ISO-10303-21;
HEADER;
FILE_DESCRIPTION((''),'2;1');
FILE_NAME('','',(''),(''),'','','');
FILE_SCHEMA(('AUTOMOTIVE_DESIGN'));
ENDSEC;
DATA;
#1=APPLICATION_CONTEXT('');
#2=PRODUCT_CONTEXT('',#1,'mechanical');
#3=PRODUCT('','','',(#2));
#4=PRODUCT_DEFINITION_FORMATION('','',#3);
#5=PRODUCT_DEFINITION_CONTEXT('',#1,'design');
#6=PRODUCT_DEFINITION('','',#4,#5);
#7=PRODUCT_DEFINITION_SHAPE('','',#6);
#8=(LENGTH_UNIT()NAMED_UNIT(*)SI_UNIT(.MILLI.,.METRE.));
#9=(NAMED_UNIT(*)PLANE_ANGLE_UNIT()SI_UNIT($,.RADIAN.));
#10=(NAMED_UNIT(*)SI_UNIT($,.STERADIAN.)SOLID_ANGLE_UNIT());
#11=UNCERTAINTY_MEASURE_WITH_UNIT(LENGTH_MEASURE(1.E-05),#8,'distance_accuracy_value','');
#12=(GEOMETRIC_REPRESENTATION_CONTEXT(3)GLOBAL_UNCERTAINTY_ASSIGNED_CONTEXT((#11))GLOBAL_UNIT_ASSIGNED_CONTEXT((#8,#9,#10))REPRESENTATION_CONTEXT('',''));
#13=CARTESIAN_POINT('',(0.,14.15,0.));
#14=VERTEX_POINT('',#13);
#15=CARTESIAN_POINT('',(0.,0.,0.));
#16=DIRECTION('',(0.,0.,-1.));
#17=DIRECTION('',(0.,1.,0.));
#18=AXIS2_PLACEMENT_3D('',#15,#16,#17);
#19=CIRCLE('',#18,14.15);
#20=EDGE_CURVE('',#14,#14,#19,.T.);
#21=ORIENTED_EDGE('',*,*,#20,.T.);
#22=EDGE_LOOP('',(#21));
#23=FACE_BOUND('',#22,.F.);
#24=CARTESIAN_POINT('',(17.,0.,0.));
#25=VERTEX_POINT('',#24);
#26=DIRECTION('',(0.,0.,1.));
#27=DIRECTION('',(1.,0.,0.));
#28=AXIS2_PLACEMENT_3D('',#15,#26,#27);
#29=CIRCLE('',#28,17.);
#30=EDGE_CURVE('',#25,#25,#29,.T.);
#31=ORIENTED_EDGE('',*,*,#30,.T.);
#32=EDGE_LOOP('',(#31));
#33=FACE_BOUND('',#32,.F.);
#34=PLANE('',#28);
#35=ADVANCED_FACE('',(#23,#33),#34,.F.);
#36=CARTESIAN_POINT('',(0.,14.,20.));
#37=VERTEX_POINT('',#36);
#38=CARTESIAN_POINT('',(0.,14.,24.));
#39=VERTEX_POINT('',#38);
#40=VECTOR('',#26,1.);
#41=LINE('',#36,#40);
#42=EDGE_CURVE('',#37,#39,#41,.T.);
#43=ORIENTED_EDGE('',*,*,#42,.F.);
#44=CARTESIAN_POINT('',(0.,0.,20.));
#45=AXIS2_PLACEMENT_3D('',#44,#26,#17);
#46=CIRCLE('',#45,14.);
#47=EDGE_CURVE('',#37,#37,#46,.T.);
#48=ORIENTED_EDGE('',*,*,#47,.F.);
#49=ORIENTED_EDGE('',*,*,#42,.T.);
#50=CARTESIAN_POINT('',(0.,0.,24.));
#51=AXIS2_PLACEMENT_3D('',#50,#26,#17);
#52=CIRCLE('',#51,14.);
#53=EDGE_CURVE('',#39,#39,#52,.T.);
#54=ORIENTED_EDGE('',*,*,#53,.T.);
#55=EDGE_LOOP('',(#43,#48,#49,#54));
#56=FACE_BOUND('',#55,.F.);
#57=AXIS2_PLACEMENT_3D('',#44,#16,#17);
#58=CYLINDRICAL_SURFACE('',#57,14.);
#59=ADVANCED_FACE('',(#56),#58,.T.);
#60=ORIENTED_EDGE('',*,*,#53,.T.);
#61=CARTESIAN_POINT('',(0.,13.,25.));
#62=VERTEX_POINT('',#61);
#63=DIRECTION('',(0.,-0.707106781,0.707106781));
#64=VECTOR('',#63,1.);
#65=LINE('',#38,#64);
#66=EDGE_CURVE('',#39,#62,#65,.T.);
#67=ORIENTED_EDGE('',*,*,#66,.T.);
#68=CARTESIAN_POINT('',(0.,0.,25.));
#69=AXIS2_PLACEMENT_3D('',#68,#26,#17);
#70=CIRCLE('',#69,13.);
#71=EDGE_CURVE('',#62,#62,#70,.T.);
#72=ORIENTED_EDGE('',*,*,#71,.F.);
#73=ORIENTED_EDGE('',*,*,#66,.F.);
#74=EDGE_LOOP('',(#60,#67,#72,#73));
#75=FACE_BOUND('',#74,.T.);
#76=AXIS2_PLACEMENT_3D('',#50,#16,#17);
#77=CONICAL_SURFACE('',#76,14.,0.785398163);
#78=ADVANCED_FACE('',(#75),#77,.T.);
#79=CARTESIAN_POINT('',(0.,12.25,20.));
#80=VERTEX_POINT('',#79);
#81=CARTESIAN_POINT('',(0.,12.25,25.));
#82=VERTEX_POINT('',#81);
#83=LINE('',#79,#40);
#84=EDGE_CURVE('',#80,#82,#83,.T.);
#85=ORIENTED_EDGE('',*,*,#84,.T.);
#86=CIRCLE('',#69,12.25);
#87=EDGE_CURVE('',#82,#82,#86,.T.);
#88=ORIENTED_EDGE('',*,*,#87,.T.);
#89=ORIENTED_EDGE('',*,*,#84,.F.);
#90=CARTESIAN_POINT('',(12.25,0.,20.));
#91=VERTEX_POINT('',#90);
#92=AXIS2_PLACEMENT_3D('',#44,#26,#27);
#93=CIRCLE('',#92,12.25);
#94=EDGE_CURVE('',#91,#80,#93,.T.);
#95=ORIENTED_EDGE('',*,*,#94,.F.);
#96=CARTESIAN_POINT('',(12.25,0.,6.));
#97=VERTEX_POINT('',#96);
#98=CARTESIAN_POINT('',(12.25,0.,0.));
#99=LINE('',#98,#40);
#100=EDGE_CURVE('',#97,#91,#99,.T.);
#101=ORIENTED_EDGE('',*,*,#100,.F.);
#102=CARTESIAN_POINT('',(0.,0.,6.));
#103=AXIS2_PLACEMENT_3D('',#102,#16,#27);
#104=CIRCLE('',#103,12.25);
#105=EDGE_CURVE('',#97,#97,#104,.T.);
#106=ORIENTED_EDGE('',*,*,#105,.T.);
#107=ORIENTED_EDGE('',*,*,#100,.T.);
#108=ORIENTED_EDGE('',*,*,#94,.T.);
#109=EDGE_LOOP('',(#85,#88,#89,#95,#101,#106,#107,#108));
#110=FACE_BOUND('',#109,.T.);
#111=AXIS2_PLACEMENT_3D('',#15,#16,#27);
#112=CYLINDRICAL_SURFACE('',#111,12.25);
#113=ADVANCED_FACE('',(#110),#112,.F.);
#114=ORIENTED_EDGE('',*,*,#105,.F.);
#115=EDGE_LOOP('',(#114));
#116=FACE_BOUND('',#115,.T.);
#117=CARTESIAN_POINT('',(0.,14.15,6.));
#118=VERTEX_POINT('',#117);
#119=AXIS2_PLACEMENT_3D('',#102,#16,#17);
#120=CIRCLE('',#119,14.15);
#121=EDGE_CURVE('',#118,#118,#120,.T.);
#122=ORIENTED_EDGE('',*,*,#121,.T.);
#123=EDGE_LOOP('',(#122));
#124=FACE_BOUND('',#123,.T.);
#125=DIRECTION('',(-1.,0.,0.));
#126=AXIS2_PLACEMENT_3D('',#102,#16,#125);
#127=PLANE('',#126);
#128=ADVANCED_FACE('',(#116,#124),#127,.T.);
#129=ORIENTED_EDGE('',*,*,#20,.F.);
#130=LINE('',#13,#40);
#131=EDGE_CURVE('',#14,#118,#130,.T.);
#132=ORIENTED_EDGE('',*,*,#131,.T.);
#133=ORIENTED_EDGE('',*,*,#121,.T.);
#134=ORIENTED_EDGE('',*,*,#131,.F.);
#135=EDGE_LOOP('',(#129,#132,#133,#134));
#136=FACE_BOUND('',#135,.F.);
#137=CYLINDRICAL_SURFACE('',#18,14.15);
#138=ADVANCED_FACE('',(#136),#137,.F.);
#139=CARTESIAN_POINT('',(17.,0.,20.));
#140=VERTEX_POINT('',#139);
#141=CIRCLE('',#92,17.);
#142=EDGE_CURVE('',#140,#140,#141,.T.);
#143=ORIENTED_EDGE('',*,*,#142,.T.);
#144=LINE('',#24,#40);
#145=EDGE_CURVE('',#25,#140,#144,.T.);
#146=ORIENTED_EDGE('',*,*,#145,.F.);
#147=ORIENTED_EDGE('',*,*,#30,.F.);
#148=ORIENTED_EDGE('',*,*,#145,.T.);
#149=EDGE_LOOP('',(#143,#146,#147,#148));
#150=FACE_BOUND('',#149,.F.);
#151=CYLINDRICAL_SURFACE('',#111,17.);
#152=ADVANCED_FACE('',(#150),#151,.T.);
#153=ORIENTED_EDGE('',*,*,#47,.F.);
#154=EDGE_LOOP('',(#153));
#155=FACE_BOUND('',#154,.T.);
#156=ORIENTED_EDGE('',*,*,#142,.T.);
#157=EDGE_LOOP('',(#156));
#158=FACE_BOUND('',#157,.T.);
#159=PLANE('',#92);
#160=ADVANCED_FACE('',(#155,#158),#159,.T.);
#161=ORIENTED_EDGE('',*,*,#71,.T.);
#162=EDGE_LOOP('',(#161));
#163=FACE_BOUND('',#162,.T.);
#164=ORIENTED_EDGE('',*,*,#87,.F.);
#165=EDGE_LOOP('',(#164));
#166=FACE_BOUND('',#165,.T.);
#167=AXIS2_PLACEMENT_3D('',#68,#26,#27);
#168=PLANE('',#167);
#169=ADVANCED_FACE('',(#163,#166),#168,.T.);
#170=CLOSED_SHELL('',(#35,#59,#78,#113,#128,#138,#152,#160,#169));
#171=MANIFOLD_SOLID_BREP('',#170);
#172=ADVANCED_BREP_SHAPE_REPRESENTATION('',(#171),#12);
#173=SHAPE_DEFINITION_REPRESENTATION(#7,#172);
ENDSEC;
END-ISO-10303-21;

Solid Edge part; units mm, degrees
sketch "Sketch1" plane through (0, 0, 0) normal (0, 0, 1) x (1, 0, 0)
  circle A0 centre (0, 0) radius 17
  circle A1 centre (0, 0) radius 12.25
extrude "Protrusion1" add sketch "Sketch1" along normal blind 20
sketch "Sketch2" plane through (0, 0, 20) normal (0, 0, 1) x (0, 1, 0)
  circle A0 centre (0, 0) radius 12.25
  circle A1 centre (0, 0) radius 14
extrude "Extrusionsausprägung_2" add sketch "Sketch2" along normal blind 5
chamfer "Fase_1" distance 1 angle 45 1 edges at (0, -14, 25)
sketch "Sketch3" plane through (0, 0, 0) normal (0, 0, -1) x (0, 1, 0)
  circle A0 centre (0, 0) radius 14.15
  dimension "D1" = 28.3
extrude "Extrusionsausschnitt_1" cut sketch "Sketch3" against normal blind 6
